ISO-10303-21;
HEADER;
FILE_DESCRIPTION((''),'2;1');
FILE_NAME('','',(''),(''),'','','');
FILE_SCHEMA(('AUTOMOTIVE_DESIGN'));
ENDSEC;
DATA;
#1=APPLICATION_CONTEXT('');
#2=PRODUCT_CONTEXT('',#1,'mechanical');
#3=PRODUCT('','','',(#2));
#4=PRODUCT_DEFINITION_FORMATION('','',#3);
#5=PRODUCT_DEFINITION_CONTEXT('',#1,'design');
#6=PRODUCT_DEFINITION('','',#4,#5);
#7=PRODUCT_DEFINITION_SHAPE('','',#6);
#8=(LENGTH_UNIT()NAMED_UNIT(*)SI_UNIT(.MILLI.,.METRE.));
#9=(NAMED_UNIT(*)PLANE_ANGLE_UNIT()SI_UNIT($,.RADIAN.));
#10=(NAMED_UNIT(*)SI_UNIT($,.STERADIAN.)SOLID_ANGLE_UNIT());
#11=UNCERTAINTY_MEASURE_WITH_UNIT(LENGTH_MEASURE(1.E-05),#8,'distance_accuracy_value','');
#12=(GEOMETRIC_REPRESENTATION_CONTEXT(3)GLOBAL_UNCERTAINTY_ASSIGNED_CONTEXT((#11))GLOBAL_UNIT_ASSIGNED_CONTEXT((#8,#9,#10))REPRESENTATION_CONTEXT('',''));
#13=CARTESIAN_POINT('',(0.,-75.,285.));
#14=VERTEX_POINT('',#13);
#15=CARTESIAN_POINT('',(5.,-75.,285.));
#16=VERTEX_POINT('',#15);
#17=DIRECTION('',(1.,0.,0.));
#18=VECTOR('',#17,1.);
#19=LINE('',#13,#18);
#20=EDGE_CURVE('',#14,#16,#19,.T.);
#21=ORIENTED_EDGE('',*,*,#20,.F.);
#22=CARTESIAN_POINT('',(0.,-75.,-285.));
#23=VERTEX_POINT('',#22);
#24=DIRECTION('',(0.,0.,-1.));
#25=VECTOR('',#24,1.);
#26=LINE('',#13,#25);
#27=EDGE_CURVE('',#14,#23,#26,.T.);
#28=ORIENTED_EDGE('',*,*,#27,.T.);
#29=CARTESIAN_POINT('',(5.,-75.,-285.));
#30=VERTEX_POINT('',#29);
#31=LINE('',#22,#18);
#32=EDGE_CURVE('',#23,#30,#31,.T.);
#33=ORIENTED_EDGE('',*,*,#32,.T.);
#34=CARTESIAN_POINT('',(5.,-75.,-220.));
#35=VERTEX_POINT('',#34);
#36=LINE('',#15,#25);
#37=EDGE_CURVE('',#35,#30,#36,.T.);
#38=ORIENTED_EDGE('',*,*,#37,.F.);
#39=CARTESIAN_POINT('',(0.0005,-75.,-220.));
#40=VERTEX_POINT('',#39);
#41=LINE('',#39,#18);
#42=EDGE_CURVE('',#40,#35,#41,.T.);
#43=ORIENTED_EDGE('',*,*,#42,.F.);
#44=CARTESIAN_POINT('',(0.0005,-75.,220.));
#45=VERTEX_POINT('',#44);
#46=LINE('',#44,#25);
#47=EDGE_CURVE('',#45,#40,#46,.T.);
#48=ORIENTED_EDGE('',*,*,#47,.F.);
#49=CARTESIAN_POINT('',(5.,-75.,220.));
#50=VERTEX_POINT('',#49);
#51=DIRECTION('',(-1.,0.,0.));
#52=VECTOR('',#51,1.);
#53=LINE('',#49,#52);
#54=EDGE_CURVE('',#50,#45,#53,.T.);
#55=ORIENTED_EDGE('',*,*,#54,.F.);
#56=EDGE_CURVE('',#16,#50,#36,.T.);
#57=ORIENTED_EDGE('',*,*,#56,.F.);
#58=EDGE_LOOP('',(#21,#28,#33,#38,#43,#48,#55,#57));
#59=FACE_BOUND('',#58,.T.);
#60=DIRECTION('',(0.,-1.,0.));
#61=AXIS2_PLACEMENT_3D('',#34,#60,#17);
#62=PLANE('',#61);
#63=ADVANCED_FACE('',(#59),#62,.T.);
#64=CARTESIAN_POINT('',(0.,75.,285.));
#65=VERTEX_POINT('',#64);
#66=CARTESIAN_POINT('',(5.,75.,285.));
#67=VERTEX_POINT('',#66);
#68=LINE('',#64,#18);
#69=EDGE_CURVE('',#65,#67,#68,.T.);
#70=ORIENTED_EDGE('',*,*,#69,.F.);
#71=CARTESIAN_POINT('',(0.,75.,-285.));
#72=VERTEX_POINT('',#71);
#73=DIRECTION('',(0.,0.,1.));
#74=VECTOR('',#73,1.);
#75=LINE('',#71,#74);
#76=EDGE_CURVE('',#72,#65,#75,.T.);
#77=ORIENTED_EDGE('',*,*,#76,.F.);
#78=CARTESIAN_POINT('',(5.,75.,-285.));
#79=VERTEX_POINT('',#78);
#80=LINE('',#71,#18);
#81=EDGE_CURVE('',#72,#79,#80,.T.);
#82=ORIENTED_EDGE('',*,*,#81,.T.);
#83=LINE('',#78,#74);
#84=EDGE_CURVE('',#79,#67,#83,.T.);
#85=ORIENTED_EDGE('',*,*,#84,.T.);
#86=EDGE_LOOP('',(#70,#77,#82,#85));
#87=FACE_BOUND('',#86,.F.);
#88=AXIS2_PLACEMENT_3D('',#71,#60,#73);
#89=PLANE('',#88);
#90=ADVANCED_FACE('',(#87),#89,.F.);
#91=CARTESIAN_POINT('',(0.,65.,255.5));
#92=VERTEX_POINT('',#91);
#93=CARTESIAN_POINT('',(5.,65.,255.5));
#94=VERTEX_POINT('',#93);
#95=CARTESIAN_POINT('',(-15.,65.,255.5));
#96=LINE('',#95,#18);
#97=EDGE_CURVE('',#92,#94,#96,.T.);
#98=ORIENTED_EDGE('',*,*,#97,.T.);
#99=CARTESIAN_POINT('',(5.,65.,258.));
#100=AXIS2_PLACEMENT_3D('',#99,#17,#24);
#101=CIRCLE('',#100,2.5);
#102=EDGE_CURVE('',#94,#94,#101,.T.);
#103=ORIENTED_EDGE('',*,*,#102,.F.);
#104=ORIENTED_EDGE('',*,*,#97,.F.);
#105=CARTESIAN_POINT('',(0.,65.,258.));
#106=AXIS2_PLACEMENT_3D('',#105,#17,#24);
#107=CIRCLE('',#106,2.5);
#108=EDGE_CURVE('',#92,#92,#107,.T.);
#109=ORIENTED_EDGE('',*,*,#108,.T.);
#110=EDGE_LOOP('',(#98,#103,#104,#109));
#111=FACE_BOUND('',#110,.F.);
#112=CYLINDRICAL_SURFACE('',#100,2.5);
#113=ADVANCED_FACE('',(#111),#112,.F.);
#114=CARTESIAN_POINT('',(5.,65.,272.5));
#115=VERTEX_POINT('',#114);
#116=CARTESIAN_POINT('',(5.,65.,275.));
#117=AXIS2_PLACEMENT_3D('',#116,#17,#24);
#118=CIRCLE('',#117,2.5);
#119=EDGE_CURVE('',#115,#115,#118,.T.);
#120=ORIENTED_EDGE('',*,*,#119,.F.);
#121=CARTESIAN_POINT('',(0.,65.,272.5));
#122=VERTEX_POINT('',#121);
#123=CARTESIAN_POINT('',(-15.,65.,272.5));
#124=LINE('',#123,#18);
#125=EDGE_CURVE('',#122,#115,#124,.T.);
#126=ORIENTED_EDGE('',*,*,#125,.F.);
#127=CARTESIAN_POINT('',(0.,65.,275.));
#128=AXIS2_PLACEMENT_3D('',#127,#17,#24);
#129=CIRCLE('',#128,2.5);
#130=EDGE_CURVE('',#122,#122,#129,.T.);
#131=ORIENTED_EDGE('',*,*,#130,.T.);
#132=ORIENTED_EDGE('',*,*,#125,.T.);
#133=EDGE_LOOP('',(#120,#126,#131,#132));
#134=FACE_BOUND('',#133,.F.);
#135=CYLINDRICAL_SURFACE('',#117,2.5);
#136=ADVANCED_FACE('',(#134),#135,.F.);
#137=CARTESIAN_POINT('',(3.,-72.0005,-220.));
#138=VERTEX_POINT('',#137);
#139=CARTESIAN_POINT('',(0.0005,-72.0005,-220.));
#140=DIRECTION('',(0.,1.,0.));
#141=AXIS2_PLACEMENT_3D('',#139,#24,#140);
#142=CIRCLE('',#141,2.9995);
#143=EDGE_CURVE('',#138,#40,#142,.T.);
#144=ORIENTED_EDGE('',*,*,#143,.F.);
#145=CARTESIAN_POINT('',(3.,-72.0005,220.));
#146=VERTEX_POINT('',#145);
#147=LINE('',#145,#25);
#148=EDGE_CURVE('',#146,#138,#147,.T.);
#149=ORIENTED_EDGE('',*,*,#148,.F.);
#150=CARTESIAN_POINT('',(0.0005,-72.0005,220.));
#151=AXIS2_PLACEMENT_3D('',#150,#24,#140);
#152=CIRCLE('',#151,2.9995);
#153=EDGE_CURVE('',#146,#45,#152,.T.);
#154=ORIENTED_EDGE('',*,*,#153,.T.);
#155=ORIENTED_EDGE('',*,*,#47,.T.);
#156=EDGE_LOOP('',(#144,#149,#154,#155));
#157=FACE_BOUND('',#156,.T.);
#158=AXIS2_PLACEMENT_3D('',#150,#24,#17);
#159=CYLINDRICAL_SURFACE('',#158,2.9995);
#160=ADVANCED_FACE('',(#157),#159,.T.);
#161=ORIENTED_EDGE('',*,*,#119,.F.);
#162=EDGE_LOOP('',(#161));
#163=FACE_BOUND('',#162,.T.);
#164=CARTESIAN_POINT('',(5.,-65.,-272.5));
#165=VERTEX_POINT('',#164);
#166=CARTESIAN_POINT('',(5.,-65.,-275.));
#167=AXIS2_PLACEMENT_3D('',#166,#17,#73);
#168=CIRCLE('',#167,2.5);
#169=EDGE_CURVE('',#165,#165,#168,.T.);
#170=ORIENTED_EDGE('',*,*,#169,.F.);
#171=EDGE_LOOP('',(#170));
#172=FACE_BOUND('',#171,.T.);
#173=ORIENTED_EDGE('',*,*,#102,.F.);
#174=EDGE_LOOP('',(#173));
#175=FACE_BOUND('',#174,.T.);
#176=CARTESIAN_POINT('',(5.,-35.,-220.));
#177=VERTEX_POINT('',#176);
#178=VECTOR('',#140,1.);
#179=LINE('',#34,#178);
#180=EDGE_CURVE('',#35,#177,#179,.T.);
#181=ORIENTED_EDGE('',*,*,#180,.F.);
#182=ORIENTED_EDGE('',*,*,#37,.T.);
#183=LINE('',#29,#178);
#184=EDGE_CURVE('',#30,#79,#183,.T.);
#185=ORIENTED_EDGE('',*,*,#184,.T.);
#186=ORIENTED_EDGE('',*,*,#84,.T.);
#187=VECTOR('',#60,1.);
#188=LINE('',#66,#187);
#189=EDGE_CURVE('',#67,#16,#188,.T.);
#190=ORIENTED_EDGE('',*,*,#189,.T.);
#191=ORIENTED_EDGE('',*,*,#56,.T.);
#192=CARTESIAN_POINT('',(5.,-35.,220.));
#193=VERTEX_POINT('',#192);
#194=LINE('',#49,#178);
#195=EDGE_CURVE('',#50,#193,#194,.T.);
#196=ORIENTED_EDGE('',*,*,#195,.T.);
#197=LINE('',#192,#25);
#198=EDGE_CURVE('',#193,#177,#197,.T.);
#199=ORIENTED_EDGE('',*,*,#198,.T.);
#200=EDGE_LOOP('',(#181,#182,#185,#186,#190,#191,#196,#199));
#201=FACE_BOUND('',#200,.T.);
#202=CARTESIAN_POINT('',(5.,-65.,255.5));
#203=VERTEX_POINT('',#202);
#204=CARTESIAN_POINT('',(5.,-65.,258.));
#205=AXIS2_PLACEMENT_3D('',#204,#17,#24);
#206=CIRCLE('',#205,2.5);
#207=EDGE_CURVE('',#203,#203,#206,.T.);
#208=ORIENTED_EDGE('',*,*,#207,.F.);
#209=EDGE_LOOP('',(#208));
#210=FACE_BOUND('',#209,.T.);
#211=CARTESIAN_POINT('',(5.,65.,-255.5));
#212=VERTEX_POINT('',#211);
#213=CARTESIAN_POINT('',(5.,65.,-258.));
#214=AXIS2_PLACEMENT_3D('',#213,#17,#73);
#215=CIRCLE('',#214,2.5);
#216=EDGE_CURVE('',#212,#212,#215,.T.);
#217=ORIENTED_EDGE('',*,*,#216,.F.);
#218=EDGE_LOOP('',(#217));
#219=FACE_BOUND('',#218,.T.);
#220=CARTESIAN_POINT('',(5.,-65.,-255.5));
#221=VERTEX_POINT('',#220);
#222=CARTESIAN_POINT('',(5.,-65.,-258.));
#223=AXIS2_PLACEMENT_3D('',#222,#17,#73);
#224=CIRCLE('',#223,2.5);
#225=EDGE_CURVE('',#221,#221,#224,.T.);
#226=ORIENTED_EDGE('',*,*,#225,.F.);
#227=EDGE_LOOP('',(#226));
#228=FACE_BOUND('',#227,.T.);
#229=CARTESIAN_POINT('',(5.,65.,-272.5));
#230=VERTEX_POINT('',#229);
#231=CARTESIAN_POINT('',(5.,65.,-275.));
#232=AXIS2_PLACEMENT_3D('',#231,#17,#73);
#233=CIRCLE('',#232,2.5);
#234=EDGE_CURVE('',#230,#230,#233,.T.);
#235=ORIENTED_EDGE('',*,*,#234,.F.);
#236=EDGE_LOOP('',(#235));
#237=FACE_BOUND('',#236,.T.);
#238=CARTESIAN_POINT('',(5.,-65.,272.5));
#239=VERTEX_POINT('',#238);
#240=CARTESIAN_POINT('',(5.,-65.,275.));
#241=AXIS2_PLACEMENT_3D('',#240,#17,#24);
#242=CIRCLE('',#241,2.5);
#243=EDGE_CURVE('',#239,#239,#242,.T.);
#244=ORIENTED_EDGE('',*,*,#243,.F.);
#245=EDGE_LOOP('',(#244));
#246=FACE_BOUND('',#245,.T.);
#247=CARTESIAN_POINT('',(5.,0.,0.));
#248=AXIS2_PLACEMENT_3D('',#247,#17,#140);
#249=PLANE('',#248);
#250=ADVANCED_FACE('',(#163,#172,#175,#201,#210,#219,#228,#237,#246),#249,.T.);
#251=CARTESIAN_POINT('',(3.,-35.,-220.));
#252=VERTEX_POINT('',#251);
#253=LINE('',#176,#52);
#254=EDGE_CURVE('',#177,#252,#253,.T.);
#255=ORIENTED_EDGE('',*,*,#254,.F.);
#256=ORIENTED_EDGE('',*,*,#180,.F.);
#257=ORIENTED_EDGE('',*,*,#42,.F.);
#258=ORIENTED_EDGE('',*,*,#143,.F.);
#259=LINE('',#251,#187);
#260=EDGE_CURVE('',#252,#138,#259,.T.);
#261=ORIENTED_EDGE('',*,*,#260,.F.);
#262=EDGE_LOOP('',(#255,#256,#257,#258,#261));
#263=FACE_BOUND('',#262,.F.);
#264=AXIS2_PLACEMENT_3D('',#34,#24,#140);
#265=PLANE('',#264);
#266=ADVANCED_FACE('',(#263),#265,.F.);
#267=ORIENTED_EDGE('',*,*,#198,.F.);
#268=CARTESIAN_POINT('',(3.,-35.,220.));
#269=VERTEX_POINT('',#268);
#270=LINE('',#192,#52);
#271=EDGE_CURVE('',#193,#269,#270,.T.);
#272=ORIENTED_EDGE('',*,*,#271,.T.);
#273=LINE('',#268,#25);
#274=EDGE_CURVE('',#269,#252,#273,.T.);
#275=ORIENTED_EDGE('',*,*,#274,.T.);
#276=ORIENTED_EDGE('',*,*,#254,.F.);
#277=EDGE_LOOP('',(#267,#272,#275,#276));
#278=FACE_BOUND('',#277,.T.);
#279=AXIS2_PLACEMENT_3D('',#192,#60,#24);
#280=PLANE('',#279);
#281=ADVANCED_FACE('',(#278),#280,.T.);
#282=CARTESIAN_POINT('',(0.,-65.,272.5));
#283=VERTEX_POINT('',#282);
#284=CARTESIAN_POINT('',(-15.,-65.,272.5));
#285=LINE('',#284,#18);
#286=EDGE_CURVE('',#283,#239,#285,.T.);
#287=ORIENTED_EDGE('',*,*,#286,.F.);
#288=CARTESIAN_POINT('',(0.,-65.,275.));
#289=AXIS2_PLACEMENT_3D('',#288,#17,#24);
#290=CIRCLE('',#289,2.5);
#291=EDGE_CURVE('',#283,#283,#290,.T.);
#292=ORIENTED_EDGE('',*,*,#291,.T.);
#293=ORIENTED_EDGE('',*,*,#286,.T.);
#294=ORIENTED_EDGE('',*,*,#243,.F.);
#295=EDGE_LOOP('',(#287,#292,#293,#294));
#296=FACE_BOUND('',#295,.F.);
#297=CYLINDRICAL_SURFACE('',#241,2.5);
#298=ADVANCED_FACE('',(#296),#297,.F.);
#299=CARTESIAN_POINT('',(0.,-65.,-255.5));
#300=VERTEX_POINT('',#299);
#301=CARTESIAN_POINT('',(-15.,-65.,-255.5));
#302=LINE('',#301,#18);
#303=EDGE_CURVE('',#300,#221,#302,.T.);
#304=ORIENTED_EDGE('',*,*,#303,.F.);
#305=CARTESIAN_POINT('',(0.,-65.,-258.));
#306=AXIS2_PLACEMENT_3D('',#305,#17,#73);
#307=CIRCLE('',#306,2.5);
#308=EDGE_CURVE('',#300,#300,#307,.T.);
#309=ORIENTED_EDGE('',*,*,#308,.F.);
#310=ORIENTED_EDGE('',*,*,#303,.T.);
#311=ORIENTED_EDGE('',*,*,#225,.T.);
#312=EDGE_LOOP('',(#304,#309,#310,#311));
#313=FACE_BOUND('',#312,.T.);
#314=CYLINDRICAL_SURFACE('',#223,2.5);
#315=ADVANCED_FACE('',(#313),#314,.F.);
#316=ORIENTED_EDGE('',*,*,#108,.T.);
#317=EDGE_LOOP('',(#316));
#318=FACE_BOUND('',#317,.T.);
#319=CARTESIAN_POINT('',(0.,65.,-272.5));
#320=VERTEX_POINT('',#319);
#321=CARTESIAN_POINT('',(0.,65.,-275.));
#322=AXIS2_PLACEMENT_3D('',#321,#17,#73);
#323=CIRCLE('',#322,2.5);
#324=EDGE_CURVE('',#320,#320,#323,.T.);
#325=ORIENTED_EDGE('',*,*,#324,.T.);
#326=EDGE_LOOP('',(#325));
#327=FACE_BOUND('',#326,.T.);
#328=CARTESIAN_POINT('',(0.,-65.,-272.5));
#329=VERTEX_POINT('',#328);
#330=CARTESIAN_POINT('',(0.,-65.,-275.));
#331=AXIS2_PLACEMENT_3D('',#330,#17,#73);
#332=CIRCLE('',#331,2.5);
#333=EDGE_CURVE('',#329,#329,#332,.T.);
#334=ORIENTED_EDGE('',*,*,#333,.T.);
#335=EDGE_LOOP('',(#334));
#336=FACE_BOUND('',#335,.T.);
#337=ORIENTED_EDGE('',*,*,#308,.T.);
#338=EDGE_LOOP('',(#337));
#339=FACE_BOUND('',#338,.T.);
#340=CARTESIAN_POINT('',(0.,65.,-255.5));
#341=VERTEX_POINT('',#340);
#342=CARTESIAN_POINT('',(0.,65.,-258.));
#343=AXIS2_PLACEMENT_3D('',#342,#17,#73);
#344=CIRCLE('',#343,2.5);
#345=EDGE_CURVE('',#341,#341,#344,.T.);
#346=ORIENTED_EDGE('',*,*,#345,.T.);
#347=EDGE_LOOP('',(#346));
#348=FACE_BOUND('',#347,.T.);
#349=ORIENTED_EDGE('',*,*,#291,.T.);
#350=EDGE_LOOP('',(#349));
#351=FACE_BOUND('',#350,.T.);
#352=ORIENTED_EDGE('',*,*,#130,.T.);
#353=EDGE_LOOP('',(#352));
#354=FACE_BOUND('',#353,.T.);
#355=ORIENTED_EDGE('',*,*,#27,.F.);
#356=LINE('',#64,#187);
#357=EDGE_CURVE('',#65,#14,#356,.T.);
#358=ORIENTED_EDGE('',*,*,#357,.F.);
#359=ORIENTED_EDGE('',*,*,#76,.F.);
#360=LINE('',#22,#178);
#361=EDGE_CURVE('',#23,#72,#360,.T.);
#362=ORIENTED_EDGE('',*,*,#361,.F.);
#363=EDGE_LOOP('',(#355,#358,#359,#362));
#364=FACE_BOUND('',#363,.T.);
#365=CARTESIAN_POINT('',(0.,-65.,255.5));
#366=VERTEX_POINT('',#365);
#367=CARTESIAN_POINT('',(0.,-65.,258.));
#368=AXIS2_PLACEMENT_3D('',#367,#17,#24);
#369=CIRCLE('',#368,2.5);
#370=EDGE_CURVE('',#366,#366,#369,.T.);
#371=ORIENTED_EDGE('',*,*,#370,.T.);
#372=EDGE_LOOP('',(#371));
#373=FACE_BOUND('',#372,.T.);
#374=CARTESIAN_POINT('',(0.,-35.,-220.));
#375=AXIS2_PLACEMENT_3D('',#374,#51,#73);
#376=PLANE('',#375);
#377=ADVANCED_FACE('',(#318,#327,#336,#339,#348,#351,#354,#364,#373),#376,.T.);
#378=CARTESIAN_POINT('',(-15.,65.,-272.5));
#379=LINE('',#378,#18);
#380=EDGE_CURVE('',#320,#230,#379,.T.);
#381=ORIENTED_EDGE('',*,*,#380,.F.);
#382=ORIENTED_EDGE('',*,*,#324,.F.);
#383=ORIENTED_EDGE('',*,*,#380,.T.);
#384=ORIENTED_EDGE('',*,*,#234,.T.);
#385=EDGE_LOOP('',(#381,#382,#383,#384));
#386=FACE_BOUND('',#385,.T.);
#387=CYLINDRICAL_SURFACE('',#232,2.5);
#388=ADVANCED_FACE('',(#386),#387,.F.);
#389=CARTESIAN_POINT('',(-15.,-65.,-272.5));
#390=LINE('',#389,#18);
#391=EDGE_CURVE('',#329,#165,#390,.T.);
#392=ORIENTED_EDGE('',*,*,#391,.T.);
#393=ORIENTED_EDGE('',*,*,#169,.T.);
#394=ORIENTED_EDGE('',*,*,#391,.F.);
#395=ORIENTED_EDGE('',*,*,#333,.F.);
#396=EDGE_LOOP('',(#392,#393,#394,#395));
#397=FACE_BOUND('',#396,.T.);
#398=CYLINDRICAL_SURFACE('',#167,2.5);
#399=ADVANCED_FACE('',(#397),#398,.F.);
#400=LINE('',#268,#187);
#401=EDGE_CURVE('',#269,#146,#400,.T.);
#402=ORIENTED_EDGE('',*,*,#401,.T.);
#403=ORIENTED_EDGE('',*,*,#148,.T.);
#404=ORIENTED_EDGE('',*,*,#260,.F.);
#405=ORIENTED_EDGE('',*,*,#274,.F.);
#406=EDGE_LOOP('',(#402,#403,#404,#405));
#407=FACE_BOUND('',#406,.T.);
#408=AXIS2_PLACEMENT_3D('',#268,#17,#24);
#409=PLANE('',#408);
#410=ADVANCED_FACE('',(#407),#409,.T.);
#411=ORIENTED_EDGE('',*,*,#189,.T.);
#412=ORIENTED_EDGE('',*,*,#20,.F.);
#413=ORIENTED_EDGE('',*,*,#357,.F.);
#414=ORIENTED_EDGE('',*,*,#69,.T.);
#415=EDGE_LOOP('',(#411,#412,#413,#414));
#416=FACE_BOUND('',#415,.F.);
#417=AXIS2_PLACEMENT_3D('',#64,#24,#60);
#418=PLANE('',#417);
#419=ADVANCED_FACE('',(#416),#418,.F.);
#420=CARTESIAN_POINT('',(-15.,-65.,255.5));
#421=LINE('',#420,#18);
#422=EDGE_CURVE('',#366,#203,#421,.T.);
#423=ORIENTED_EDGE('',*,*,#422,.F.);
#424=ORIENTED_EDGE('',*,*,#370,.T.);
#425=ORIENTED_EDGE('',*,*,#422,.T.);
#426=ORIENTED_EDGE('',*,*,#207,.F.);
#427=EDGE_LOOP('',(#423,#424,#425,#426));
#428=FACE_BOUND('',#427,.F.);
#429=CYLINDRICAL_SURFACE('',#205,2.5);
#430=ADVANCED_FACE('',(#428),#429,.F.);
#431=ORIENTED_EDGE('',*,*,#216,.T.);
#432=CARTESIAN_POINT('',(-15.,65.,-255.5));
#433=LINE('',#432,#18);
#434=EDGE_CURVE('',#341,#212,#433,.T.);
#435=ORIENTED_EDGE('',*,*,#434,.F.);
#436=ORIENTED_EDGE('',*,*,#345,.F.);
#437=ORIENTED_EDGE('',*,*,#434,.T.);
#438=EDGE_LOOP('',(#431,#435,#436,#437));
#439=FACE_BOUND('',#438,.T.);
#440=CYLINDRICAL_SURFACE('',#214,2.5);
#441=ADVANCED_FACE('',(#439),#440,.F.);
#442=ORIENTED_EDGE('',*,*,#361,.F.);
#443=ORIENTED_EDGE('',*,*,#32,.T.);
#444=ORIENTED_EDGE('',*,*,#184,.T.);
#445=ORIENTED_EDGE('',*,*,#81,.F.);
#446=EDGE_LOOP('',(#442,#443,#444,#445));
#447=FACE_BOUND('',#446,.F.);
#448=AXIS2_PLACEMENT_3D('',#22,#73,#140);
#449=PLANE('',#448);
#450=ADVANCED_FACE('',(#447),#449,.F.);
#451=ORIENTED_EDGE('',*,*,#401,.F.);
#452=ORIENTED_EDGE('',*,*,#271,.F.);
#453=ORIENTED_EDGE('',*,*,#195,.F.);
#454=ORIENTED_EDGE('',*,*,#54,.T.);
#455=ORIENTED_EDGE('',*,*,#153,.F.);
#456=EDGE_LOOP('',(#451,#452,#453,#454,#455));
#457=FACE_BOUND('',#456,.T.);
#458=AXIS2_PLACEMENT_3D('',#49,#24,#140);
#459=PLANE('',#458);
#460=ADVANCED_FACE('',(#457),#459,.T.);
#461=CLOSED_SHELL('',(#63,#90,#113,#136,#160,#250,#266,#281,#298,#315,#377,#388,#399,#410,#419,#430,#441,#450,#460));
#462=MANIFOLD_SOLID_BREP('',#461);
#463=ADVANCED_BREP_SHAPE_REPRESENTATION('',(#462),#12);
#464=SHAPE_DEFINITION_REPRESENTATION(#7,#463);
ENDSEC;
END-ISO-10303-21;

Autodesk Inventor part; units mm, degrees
ref_plane "YZ Plane" through (0, 0, 0) normal (1, 0, 0) x (0, 1, 0)
ref_plane "XZ Plane" through (0, 0, 0) normal (0, 1, 0) x (-1, 0, 0)
ref_plane "XY Plane" through (0, 0, 0) normal (0, 0, 1) x (1, 0, 0)
sketch "Sketch1" plane through (0, 0, 0) normal (1, 0, 0) x (0, 1, 0)
  line L0 (75, 285) -> (-75, 285)
  line L1 (-75, 285) -> (-75, -285)
  line L2 (-75, -285) -> (75, -285)
  line L3 (75, -285) -> (75, 285)
  line L4 (75, 285) -> (-75, -285) construction
  line L5 (-75, 285) -> (75, -285) construction
  point P0 (0, 0)
  dimension "d0" = 150
  dimension "d1" = 570
extrude "Plate1" add sketch "Sketch1" along normal blind 5
sketch "Sketch2" plane through (5, 0, 0) normal (1, 0, 0) x (0, 0, -1)
  line L0 (-285, 75) -> (-285, -75) projected
  line L1 (-285, -75) -> (-285, -35)
  line L2 (-285, -75) -> (285, -75) projected
  line L3 (0, -75) -> (-220, -75)
  line L4 (0, -75) -> (220, -75)
  line L5 (220, -75) -> (220, -35)
  line L6 (220, -35) -> (0, -35)
  line L7 (0, -35) -> (0, -75)
  line L8 (0, -75) -> (-220, -75)
  line L9 (-220, -75) -> (-220, -35)
  line L10 (-220, -35) -> (0, -35)
  line L11 (0, -35) -> (0, -75)
  point P0 (0, 0)
  dimension "d3" = 40
  dimension "d4" = 220
  dimension "d5" = 220
  dimension "d6" = 40
  dimension "d7" = 220
  dimension "d8" = 40
extrude "Cut1" cut sketch "Sketch2" against normal blind 5
sketch "Sketch3" plane through (5, -35, -220) normal (0, -1, 0) x (1, 0, 0)
  line L0 (0, 440) -> (0, 0) projected
  line L1 (0, 440) -> (-5, 440) projected
  line L2 (-5, 0) -> (-5, 440) projected
  line L3 (0, 0) -> (-5, 0) projected
  line L4 (-5, 0) -> (-5, 440) projected
  line L5 (-5, 440) -> (-2, 440)
  line L6 (-2, 440) -> (-2, 0)
  line L7 (-2, 0) -> (-5, 0)
  line L8 (-5, 0) -> (-5, 440)
  point P0 (-5, 220)
  dimension "d11" = 3
  dimension "d12" = 440
extrude "Extrusion1" add sketch "Sketch3" along normal blind 40 contours L6 L3 L2 L1
fillet "Fillet1" radius 3 1 edges at (3, -75, 0)
sketch "Sketch4" plane through (5, 0, 0) normal (1, 0, 0) x (0, 0, -1)
  line L0 (-285, -75) -> (-285, 75) projected
  line L1 (-220, -75) -> (-285, -75) projected
  circle A0 centre (-275, -65) radius 2.5
  circle A1 centre (-258, -65) radius 2.5
  line L2 (-285, 0) -> (-275, 0)
  circle A2 centre (-275, 65) radius 2.5
  circle A3 centre (-258, 65) radius 2.5
  point P0 (0, 0)
  dimension "d16" = 10
  dimension "d17" = 10
  dimension "d18" = 5
  dimension "d19" = 17
  dimension "d20" = 5
extrude "Extrusion2" cut sketch "Sketch4" against normal mid plane 40
mirror "Mirror1" about plane through (0, 0, 0) normal (0, 0, 1) of "Extrusion2"
equation "\"d9\" = Thickness"
equation "\"d2\" = Thickness"
equation "\"BendRadius\" = Thickness"
equation "\"BendReliefWidth\" = Thickness"
equation "\"BendReliefDepth\" = 0.5 * Thickness"
equation "\"TransitionRadius\" = BendRadius"
equation "\"JacobiRadiusSize\" = BendRadius"
equation "\"GapSize\" = Thickness"
equation "\"Thickness\" = 5"
properties part number "elevatotr"
